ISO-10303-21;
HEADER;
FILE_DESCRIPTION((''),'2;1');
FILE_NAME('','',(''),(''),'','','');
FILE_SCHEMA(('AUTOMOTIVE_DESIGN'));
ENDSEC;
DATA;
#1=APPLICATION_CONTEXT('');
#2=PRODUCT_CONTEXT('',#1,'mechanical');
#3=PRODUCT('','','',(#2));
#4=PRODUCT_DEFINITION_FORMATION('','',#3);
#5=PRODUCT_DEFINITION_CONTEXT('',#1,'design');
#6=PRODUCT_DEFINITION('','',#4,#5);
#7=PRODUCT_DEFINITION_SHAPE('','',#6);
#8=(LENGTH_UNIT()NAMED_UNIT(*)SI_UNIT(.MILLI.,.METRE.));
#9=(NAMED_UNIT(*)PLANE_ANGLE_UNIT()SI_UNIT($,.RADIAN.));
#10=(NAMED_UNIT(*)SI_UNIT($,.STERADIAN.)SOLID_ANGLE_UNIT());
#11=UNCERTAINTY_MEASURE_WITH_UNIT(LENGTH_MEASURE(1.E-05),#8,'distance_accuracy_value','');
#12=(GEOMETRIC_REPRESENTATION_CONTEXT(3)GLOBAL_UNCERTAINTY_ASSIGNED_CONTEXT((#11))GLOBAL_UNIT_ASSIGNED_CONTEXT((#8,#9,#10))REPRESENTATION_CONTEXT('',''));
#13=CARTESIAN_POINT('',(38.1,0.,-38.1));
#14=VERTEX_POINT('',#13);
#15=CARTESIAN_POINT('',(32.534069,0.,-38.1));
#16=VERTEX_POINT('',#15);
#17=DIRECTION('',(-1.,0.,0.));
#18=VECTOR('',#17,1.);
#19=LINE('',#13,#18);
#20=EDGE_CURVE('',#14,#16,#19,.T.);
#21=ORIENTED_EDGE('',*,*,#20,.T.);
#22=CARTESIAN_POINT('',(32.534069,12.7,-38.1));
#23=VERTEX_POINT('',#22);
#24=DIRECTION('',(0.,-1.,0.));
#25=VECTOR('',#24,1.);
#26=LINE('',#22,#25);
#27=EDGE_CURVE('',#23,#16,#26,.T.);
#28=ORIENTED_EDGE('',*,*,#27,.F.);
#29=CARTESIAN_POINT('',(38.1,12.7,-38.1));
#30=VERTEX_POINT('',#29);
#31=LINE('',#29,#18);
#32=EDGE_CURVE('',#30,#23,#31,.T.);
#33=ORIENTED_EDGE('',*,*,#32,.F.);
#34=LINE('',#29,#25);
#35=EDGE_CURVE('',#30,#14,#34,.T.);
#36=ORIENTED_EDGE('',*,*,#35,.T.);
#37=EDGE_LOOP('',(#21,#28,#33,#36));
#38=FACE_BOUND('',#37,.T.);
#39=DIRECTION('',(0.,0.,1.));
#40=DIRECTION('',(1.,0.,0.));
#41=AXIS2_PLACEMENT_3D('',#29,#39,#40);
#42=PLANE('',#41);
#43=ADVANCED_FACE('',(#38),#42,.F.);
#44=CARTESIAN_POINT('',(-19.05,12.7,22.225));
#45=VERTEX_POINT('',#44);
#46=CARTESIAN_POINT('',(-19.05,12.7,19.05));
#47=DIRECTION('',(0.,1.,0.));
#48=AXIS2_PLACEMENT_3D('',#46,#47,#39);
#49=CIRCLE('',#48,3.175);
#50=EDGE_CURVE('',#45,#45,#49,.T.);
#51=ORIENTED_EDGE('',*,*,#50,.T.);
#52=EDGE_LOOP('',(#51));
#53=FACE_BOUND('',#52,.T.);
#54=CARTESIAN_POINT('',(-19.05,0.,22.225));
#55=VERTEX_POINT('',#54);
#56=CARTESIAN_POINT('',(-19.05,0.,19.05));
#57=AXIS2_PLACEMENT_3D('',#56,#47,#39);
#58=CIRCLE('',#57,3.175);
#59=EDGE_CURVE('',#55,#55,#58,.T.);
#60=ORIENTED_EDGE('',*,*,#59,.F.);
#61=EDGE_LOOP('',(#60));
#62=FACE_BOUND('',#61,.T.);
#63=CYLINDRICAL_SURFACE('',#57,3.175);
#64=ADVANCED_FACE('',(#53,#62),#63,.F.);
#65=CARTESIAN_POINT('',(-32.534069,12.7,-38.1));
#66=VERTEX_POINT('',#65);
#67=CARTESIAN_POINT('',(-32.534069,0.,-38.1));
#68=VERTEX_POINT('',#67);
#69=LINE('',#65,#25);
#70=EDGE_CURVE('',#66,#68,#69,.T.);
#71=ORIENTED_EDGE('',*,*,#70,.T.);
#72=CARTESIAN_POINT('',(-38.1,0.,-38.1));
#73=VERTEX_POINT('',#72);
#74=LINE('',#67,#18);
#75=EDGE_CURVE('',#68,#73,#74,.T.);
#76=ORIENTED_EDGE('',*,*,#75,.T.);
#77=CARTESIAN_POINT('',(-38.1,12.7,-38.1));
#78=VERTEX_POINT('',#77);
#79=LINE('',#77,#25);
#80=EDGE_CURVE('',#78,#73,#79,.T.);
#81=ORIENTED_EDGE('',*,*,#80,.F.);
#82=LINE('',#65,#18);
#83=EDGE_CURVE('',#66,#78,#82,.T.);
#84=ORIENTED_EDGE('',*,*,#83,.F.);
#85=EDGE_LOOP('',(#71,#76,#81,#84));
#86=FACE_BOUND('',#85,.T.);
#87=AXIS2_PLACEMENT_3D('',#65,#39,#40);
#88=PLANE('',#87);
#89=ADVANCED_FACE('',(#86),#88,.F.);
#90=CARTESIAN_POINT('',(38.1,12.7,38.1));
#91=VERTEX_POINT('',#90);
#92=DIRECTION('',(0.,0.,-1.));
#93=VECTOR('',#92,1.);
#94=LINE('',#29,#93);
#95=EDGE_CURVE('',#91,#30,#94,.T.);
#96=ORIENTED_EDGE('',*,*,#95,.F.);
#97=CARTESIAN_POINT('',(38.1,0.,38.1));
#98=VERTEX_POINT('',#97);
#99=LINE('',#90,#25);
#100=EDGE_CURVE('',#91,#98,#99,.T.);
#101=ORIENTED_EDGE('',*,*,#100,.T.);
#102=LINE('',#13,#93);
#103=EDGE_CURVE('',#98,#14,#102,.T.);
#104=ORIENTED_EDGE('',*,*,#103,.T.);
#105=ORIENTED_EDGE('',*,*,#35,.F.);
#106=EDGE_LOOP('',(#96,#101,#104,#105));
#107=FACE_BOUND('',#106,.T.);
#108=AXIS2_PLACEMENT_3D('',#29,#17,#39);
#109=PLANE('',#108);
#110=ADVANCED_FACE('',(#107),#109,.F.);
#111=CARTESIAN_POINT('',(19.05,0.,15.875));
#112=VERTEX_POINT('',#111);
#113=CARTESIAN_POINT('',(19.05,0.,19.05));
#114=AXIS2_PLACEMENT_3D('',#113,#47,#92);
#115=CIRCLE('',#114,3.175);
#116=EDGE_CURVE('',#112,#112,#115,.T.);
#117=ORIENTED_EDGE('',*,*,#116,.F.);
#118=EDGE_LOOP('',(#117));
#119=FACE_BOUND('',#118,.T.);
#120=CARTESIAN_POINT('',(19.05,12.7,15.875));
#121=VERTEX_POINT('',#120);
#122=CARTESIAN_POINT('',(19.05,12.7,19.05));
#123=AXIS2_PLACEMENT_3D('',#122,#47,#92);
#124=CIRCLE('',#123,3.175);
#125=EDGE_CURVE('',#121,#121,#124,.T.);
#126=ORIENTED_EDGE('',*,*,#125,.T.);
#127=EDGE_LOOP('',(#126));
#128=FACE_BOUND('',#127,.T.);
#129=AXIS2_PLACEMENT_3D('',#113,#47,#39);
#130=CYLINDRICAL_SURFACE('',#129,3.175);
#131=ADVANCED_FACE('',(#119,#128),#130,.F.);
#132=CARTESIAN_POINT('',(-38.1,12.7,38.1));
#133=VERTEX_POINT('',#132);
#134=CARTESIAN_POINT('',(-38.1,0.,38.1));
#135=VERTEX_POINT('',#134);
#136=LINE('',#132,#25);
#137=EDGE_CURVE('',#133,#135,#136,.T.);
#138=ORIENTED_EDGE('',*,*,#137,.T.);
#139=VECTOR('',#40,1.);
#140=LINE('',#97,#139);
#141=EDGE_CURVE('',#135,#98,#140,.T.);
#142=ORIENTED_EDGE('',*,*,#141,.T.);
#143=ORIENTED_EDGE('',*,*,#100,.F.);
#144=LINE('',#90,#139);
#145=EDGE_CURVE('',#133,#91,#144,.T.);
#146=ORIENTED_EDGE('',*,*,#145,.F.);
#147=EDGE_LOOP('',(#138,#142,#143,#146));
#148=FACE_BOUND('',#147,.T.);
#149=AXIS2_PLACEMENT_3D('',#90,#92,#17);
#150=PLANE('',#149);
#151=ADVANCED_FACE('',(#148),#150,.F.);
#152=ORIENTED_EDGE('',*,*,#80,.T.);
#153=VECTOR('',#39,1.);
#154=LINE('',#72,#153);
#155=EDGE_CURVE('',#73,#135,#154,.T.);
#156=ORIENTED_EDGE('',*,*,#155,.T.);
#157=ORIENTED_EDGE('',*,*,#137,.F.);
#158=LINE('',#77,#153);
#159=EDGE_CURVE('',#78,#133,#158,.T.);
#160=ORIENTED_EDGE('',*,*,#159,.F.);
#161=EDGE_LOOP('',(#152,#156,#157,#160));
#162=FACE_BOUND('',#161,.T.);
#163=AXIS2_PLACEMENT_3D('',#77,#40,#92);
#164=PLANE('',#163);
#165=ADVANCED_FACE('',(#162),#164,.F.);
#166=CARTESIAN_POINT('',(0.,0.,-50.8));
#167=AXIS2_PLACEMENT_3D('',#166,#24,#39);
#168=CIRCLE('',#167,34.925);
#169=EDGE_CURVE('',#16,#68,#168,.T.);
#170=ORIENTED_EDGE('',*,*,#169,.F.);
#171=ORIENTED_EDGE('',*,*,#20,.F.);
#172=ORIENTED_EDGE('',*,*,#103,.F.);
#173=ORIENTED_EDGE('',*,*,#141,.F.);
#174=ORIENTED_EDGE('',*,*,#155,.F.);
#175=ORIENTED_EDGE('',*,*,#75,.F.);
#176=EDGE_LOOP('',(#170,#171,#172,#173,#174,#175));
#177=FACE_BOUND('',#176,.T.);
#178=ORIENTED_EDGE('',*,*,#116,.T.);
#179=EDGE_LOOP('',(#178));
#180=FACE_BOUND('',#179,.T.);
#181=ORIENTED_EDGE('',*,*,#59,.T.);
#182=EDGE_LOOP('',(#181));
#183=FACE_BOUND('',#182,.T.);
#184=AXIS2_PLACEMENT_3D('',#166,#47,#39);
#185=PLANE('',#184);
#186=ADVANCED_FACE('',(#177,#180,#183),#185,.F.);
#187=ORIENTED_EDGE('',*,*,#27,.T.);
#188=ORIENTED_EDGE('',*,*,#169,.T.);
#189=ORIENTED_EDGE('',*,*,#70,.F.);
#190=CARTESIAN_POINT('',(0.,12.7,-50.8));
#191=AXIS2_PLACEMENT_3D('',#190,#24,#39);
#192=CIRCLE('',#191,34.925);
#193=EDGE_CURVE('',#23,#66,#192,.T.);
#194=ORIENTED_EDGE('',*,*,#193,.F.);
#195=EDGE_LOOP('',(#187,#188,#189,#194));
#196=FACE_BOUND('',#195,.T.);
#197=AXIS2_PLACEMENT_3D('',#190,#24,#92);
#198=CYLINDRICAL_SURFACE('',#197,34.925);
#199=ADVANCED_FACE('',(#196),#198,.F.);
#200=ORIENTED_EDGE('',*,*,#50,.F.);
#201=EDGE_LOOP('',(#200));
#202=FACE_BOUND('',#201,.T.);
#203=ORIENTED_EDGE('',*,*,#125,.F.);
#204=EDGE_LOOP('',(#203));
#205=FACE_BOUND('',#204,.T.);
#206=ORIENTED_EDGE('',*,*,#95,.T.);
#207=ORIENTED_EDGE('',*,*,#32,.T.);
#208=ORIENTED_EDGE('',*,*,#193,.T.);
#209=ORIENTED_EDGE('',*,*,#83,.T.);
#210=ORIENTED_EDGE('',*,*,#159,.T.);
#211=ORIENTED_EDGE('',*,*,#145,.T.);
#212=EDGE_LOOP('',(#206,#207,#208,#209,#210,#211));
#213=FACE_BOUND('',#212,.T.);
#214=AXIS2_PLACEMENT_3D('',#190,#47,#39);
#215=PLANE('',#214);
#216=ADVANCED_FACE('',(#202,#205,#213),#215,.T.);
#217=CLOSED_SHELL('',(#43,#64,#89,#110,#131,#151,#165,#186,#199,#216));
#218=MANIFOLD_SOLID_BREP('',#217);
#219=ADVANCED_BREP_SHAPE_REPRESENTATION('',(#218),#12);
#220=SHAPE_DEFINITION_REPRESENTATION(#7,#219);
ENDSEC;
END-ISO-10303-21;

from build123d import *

# Parameters (mm, degrees)
BOSS_EXTRUDE1_DEPTH = 12.7
SKETCH2_R           = 3.175
CUT_EXTRUDE1_DEPTH  = 12.7


with BuildPart() as part:
    # Sketch1 → Boss-Extrude1 (new body)
    with BuildSketch(Plane(origin=(0, 0, 0), x_dir=(1, 0, 0), z_dir=(0, 1, 0))):
        with BuildLine():
            Line((38.1, 38.1), (32.534068682, 38.1))
            ThreePointArc((32.534068682, 38.1), (0, 15.875), (-32.534068682, 38.1))
            Line((-32.534068682, 38.1), (-38.1, 38.1))
            Line((-38.1, 38.1), (-38.1, -38.1))
            Line((-38.1, -38.1), (38.1, -38.1))
            Line((38.1, -38.1), (38.1, 38.1))
        make_face()
    extrude(amount=BOSS_EXTRUDE1_DEPTH)

    # Sketch2 → Cut-Extrude1 (cut)
    with BuildSketch(Plane(origin=(0, 12.7, 0), x_dir=(1, 0, 0), z_dir=(0, 1, 0))):
        with Locations(Location((-19.05, -19.05, 0), (0, 0, 270))):
            Circle(SKETCH2_R)
        with Locations(Location((19.05, -19.05, 0), (0, 0, 90))):
            Circle(SKETCH2_R)
    extrude(amount=-CUT_EXTRUDE1_DEPTH, mode=Mode.SUBTRACT)


solid = part.part
